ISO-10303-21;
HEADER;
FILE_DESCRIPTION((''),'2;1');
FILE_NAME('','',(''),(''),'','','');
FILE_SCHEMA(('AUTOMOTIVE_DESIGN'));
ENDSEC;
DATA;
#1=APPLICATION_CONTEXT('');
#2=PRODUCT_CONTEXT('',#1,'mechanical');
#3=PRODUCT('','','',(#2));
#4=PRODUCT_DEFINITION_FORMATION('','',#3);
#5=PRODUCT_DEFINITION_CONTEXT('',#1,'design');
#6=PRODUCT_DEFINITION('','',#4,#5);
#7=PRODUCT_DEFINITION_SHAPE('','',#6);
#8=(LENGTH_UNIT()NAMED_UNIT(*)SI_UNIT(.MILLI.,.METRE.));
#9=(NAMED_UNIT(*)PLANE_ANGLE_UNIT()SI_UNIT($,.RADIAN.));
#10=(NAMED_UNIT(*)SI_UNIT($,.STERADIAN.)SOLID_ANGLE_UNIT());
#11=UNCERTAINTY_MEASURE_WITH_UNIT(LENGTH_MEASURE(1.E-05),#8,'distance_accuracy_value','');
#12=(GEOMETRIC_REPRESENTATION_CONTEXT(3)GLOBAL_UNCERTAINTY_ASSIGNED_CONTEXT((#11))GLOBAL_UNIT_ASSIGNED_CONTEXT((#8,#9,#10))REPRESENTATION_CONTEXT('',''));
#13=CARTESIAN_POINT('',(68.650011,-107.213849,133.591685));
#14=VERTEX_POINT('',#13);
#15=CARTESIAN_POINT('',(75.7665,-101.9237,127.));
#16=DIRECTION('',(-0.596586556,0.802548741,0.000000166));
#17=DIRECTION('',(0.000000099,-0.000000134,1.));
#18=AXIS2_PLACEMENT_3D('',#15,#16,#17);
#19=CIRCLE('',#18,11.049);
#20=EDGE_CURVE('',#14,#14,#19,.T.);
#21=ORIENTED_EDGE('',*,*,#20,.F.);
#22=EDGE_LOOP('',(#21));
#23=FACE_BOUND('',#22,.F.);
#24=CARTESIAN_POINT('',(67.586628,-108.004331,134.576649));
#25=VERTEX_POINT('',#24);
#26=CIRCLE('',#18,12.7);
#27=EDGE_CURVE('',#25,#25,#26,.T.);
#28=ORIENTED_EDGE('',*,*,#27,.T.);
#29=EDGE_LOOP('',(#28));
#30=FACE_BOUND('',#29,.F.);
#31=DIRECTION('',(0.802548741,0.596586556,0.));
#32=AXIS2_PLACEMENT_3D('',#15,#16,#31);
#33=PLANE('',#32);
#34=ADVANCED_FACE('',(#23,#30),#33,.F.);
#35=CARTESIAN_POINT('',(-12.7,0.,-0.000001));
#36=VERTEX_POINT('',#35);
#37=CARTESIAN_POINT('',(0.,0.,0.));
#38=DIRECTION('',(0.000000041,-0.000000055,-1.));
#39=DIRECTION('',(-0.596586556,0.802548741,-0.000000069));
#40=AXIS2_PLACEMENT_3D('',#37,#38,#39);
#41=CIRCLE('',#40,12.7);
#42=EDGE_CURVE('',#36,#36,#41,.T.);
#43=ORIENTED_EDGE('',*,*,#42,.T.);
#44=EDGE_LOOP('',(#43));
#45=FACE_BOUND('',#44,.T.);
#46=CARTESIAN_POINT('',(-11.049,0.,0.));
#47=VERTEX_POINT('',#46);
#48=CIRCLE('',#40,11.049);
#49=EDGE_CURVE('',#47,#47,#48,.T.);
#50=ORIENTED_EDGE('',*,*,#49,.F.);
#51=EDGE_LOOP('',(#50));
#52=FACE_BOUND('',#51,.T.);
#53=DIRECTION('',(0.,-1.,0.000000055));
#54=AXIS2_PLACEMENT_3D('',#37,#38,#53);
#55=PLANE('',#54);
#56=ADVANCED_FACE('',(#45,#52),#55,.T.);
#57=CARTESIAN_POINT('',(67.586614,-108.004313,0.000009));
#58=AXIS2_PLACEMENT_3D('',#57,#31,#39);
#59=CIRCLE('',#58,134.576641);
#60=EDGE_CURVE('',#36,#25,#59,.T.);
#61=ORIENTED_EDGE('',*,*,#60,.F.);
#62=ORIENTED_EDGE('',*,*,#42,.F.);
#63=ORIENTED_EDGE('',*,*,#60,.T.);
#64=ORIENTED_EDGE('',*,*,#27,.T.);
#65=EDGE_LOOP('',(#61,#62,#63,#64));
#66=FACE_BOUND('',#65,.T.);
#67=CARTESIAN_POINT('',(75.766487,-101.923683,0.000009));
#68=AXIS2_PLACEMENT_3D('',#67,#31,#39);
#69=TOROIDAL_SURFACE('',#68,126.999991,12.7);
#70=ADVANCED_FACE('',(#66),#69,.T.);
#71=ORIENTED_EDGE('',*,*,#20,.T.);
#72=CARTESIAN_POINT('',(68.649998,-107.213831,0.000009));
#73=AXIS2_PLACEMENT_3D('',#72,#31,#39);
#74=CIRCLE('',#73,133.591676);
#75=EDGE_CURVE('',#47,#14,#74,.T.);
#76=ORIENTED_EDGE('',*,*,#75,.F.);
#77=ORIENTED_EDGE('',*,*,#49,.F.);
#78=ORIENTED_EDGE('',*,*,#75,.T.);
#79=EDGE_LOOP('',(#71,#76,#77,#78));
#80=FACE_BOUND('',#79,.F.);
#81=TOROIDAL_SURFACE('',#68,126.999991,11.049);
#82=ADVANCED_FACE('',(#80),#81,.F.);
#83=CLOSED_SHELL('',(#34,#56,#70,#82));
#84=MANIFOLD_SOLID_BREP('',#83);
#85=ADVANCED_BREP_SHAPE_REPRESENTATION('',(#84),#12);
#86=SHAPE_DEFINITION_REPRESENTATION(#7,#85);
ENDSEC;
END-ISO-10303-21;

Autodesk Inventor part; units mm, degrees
sketch "Sketch" plane through (0, 0, 0) normal (0, 0, -1) x (-1, 0, 0)
  circle A0 centre (0, 0) radius 12.7
  circle A1 centre (0, 0) radius 11.049
  dimension "d0" = 25.4
  dimension "d1" = 1.651
ref_plane "Start Plane" through (0, 0, 0) normal (1, 0, 0) x (0, 1, 0)
ref_plane "End Plane" through (199.4911, 0, 0) normal (1, 0, 0) x (0, 1, 0)
sketch "Sketch2" plane through (0, 0, 0) normal (1, 0, 0) x (0, 1, 0)
  line L0 (0, 0) -> (10, 0)
ref_plane "Work Plane3" through (0, 0, 0) normal (0, 0, -1) x (0, 1, 0)
sketch "Sketch3" plane through (0, 0, 0) normal (0, 0, -1) x (0, 1, 0)
  line L0 (-2, 0) -> (12, 0)
  line L1 (-133.9404, 199.4911) -> (37.1401, 199.4911)
  dimension "d9" = 199.4911
ref_plane "Orientation Work Plane" through (0, 0, 0) normal (0, 0, -1) x (-1, 0, 0)
sketch3d "Sweep Path"
  arc A0 (0, 0, 0) -> (75.7665, -101.9237, 127) centre (75.7665, -101.9237, 0) ccw
sweep "Body" add profiles "Sketch" path "Sweep Path"
equation "\"G_OFFSET_START\" = 0"
equation "\"G_OFFSET_END\" = 0"
equation "\"d5\" = d2 + G_OFFSET_END"
equation "\"G_L\" = d9"
equation "\"d2\" = 199.491133"
properties part number "4130_1x0.065" material "Steel, Alloy"
